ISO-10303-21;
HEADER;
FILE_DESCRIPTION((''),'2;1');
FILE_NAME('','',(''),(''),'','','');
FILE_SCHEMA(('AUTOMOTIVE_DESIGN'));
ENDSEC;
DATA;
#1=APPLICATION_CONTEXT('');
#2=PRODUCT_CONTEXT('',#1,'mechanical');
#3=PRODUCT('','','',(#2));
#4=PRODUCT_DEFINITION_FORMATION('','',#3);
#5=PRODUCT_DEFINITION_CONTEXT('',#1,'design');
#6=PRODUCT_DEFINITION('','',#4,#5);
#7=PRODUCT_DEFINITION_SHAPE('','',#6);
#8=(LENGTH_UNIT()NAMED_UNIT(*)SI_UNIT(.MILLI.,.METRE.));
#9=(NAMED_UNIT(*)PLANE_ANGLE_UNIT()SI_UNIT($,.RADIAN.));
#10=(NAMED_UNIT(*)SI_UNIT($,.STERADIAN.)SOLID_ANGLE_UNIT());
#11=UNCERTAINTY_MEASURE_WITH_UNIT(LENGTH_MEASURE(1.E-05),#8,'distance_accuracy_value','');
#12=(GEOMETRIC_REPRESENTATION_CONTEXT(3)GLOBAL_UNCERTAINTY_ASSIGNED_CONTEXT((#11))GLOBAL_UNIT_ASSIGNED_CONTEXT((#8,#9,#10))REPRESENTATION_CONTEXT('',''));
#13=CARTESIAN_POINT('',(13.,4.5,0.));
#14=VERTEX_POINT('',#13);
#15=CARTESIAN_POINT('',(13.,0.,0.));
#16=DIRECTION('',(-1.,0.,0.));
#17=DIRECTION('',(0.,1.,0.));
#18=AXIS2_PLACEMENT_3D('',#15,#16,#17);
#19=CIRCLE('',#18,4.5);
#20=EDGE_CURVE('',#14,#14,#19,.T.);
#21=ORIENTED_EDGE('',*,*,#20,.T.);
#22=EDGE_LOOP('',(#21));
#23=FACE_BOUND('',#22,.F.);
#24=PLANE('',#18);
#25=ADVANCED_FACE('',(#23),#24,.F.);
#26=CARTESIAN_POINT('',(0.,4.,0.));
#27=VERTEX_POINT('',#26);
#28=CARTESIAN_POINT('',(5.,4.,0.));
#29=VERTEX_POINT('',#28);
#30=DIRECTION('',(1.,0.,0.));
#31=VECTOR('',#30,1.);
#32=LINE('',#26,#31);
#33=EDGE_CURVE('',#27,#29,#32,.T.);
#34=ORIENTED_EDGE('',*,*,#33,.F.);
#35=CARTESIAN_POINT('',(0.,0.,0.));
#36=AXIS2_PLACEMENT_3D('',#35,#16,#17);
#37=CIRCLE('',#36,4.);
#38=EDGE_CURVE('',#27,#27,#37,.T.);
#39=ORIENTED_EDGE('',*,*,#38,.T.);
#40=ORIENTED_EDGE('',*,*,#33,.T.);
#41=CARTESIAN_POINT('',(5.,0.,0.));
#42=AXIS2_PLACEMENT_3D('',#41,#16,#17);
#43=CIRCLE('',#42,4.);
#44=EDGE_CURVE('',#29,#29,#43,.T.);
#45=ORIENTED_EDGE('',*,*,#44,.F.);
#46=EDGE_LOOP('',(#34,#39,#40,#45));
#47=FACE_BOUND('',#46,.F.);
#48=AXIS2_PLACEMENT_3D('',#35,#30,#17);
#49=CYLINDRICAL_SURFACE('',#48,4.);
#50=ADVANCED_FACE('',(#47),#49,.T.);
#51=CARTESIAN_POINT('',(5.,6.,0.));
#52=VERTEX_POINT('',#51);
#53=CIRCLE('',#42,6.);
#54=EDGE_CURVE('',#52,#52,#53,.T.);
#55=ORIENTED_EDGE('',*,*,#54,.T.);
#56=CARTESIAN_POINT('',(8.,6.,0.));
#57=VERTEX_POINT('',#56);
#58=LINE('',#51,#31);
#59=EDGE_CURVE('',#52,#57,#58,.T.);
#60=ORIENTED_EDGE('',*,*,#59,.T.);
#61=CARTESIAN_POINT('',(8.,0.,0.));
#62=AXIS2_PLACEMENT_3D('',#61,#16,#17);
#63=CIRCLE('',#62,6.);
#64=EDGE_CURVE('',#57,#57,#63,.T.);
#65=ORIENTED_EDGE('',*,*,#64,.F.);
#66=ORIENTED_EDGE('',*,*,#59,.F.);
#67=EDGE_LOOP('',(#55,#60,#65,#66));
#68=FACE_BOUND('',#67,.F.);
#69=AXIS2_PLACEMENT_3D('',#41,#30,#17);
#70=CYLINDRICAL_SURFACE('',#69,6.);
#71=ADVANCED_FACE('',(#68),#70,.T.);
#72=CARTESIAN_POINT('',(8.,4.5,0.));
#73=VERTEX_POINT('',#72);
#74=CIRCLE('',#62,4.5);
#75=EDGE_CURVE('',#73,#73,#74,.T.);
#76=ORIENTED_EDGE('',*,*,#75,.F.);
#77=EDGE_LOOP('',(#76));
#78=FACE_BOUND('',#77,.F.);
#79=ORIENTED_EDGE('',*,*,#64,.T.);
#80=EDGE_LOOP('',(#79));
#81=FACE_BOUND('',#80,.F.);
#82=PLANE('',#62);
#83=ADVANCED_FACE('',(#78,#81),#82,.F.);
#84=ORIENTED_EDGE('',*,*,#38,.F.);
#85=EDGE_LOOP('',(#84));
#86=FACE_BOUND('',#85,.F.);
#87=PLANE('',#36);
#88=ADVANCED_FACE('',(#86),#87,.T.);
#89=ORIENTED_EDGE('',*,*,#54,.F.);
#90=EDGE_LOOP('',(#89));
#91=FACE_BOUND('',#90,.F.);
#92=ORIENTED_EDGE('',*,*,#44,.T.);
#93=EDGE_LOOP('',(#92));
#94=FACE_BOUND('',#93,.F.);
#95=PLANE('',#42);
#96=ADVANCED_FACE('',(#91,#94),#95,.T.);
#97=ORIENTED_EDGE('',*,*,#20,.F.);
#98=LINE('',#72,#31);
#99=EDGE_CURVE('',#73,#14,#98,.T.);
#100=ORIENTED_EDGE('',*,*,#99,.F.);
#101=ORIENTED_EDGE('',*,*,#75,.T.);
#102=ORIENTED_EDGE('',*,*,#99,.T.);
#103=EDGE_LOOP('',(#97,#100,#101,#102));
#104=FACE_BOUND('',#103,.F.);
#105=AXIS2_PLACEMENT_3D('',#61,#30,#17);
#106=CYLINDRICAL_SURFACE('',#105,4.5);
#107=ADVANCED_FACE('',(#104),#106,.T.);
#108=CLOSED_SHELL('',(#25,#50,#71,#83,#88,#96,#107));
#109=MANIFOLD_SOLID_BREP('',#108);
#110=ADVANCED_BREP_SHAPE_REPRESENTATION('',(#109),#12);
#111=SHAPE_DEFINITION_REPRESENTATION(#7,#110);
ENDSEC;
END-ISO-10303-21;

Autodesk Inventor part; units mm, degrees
ref_plane "YZ Plane" through (0, 0, 0) normal (1, 0, 0) x (0, 1, 0)
ref_plane "XY Plane" through (0, 0, 0) normal (0, 0, 1) x (1, 0, 0)
sketch "Sketch1" plane through (0, 0, 0) normal (0, 0, 1) x (1, 0, 0)
  line L0 (0, 0) -> (0, 4)
  line L1 (0, 4) -> (5, 4)
  line L2 (5, 4) -> (5, 6)
  line L3 (5, 6) -> (8, 6)
  line L4 (8, 6) -> (8, 4.5)
  line L5 (8, 4.5) -> (13, 4.5)
  line L6 (13, 4.5) -> (13, 0)
  line L7 (13, 0) -> (0, 0)
  dimension "d0" = 9
  dimension "d1" = 8
  dimension "d2" = 5
  dimension "d3" = 5
  dimension "d4" = 3
  dimension "d5" = 12
revolve "Revolution1" add sketch "Sketch1" angle 360 about axis through (13, 0, 0) along (-1, 0, 0)
thread "Thread1" size "M8x1.25" class "6g" standard "ISO Metric profile" length 10
properties part number "139"
